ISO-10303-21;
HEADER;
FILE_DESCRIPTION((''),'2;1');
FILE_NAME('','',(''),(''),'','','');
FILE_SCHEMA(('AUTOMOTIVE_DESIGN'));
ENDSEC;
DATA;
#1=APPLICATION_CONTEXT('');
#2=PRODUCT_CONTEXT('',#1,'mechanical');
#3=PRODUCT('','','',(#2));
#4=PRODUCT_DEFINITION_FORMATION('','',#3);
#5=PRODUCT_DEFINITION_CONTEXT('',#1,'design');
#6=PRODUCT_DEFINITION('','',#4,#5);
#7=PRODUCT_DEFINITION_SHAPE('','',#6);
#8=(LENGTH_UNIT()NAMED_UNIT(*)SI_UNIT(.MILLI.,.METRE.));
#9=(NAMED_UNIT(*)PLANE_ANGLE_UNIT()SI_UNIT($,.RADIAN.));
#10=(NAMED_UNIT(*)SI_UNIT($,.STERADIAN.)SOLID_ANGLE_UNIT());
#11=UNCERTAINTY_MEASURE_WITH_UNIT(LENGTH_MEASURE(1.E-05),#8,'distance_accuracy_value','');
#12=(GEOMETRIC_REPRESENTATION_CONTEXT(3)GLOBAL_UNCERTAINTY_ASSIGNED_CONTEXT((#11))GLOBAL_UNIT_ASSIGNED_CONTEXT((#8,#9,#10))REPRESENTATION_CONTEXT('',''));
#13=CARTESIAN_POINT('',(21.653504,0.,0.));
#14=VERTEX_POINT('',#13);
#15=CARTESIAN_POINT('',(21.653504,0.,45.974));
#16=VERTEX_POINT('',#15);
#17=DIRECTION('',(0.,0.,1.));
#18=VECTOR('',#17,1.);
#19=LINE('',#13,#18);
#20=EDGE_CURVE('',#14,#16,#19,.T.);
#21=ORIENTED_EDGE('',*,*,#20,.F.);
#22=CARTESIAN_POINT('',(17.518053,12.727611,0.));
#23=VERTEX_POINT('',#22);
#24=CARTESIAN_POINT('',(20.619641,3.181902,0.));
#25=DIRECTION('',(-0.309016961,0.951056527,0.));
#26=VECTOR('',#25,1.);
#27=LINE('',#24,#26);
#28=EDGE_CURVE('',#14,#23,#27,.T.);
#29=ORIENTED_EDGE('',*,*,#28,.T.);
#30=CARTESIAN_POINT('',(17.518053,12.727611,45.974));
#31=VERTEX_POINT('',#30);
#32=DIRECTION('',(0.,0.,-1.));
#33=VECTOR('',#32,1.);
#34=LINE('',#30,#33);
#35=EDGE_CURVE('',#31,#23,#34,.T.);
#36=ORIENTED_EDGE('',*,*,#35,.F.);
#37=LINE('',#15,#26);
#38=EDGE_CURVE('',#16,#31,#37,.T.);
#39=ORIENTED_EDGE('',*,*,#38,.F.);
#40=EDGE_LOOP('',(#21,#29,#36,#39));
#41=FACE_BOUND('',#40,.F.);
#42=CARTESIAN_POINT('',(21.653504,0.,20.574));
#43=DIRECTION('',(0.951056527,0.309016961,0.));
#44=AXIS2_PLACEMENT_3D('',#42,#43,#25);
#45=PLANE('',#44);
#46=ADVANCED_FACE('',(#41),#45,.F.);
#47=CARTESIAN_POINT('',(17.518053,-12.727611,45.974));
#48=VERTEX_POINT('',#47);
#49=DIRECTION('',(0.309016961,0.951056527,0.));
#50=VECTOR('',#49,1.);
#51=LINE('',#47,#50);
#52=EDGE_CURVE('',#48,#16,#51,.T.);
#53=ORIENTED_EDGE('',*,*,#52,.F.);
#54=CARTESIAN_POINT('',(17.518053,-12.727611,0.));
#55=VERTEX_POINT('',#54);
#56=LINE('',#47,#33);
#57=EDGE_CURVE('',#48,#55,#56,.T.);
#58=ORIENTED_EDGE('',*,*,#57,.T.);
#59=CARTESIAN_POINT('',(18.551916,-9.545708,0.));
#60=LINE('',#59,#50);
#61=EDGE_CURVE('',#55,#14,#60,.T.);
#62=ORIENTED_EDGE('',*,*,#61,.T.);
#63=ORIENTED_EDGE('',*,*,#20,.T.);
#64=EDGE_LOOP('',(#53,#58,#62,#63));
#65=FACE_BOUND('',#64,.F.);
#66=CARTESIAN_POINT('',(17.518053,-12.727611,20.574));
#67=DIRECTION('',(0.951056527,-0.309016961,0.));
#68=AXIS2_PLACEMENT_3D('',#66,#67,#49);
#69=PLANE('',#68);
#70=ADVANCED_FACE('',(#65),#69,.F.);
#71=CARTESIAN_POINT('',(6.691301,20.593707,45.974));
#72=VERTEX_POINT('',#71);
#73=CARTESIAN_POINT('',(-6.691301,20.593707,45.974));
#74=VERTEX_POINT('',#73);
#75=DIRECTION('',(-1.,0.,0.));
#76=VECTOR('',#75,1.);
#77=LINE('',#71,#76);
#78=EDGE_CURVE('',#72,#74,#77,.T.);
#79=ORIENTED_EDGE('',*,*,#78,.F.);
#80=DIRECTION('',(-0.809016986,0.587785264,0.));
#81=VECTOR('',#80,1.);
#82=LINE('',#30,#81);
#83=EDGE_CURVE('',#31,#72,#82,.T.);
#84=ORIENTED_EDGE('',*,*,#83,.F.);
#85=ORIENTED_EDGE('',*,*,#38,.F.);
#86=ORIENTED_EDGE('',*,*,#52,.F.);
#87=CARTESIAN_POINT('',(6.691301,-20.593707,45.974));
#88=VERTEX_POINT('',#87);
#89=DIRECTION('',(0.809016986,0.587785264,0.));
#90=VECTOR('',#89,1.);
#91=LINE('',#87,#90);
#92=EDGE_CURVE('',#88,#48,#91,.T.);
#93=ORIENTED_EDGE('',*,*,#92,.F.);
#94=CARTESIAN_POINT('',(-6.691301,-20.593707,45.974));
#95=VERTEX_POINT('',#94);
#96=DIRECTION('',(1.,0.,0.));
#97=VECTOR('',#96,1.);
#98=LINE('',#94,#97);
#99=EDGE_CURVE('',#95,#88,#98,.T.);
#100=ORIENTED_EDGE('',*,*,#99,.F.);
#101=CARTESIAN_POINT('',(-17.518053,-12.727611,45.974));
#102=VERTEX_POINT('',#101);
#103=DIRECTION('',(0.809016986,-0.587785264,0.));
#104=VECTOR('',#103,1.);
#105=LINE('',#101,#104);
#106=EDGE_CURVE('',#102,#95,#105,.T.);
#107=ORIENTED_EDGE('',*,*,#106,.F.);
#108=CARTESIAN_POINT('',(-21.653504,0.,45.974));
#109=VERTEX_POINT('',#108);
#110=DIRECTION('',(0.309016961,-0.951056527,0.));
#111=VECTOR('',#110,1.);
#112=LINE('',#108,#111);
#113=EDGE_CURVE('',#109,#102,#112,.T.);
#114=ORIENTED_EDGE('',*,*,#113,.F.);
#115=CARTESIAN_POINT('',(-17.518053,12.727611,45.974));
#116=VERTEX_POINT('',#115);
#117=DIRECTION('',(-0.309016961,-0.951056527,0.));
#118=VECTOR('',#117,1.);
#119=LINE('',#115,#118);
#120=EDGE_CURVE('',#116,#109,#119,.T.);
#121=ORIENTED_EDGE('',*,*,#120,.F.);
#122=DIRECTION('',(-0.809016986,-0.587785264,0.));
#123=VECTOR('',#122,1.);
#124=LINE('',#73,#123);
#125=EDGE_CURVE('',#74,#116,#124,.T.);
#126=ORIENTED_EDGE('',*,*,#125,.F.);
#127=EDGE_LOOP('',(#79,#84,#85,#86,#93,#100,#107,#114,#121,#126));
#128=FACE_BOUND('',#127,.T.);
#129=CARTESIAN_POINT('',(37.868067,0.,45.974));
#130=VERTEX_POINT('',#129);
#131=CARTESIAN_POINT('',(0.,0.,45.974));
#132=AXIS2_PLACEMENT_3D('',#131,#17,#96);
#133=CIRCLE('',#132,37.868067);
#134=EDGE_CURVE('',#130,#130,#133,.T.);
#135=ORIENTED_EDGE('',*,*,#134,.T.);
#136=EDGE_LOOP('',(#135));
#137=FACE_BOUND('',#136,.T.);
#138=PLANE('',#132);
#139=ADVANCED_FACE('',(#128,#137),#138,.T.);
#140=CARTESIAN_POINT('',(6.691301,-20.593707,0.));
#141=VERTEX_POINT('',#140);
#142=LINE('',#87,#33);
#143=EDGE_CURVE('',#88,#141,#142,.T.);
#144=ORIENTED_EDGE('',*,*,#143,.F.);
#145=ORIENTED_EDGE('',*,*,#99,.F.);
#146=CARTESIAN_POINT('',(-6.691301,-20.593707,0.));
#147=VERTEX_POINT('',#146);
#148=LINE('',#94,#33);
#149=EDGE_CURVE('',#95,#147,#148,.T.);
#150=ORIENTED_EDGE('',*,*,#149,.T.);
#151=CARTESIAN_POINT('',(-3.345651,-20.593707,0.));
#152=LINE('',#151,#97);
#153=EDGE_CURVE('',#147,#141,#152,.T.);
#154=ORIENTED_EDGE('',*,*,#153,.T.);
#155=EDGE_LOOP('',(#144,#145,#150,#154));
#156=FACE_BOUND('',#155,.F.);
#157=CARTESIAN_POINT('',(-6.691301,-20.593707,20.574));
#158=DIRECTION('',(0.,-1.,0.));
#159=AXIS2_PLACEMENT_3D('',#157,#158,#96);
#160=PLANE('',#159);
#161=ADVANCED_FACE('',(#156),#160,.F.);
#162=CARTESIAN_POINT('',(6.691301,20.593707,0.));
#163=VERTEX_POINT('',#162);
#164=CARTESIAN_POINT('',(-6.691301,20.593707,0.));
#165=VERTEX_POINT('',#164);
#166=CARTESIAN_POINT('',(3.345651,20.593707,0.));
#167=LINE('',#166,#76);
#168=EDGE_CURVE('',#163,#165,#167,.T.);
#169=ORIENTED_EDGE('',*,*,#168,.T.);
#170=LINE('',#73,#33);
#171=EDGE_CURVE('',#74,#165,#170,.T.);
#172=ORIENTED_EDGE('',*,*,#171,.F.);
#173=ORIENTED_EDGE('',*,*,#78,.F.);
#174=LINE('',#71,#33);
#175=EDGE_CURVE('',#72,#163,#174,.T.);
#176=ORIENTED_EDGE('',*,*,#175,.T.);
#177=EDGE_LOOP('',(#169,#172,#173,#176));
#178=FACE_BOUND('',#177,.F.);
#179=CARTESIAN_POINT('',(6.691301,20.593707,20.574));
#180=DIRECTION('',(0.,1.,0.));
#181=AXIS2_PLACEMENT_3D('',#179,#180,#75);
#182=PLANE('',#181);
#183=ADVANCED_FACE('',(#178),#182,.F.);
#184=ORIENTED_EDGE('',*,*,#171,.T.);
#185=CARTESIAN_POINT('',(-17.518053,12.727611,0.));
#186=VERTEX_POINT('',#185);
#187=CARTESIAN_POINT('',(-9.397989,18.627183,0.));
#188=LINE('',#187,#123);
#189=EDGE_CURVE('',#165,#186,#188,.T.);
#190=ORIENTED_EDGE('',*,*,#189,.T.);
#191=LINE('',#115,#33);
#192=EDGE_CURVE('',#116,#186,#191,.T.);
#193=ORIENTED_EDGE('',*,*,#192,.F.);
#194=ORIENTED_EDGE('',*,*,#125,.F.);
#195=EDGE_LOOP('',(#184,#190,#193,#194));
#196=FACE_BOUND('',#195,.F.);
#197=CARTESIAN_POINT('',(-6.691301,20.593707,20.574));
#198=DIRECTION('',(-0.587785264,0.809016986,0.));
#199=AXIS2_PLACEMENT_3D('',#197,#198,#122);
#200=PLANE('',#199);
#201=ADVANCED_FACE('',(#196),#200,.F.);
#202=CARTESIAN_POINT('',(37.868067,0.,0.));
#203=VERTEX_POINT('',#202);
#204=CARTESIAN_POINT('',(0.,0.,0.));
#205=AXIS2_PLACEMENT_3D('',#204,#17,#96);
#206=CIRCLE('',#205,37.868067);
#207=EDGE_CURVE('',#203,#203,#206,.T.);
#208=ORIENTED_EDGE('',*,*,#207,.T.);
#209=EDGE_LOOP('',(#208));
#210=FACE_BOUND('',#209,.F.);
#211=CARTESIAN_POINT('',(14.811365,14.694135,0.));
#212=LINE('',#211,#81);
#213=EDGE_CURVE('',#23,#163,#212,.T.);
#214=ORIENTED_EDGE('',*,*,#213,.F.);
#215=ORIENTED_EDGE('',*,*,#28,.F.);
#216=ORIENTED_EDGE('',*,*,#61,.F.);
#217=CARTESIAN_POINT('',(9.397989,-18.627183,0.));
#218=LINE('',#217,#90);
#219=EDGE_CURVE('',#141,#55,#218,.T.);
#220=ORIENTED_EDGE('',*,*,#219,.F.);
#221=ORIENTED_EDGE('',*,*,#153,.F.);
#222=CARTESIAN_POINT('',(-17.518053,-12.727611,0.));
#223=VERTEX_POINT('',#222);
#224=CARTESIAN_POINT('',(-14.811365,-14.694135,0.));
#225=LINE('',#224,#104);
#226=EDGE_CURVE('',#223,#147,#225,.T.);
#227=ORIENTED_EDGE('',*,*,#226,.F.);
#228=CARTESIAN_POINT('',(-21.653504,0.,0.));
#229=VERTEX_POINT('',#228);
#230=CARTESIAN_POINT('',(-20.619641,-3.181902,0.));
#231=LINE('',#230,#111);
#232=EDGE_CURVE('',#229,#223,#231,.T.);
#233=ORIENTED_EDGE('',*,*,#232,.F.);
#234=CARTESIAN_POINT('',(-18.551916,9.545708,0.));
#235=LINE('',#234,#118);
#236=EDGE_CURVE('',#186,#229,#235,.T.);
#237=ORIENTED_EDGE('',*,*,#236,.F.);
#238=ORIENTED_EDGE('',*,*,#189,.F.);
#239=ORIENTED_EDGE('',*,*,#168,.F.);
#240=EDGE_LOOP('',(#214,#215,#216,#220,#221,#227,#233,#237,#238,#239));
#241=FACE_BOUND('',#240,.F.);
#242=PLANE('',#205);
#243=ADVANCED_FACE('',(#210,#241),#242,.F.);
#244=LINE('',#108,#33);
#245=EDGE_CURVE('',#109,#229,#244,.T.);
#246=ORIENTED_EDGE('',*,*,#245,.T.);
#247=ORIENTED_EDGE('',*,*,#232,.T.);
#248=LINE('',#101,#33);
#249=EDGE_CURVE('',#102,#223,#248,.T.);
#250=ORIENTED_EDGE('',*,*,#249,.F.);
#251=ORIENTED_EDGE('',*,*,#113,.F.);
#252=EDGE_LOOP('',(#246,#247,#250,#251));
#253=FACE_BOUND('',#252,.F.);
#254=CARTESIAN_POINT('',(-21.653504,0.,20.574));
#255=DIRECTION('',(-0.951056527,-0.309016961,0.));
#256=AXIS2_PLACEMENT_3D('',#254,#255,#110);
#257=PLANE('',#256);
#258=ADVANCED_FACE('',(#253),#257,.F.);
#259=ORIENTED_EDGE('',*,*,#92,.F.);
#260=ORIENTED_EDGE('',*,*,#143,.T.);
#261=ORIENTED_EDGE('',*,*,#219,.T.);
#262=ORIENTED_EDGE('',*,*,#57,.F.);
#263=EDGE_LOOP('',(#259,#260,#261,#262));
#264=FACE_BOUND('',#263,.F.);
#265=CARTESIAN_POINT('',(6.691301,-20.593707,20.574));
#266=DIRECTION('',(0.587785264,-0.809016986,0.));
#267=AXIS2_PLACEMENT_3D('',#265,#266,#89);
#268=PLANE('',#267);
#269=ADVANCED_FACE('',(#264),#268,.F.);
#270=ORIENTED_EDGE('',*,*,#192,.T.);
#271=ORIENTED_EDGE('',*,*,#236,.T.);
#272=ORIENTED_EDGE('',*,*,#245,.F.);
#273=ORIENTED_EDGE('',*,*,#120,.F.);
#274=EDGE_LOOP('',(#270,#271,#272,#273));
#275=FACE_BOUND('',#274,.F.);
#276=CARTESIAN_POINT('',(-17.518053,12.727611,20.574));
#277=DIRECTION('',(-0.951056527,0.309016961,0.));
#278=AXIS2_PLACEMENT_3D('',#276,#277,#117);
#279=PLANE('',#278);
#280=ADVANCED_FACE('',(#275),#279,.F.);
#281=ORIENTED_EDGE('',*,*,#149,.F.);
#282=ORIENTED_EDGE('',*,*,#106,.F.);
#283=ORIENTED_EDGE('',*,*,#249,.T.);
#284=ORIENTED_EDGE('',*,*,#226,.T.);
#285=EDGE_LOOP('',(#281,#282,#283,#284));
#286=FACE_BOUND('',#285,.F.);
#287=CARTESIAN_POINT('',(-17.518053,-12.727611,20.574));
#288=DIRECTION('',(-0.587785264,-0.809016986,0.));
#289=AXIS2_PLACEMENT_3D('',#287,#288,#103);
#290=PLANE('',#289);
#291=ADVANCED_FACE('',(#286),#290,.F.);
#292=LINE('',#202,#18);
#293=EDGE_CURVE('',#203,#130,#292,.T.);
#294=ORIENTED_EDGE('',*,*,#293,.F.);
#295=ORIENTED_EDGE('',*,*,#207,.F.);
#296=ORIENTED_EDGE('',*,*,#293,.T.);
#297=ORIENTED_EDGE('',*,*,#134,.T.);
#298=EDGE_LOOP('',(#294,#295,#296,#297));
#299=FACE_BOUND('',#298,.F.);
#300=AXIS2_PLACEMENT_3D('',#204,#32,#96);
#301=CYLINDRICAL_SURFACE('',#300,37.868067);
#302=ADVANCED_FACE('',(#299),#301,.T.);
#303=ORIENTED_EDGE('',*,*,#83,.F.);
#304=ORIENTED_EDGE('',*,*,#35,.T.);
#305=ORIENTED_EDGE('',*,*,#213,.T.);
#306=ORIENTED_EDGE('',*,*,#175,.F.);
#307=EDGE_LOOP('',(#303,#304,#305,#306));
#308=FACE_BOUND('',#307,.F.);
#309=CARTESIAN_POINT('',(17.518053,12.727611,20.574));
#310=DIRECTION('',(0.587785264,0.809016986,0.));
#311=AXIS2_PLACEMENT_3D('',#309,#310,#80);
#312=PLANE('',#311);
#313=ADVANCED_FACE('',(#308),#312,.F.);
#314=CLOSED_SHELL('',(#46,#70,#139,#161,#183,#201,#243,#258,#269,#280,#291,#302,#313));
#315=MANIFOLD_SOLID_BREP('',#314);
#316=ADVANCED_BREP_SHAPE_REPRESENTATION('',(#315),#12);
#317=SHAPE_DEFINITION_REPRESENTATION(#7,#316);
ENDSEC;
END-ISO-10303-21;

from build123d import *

# Parameters (mm, degrees)
F0_R     = 37.868067
F1_DEPTH = 45.974
F3_DEPTH = 25.4
F4_DEPTH = 20.575


with BuildPart() as f1:
    # F0 (on Top) → F1 (new body)
    with BuildSketch(Plane.XY):
        Circle(F0_R)
    extrude(amount=F1_DEPTH)

    # F2 (on face) → F3 (cut)
    with BuildSketch(Plane.XY.offset(45.974)):
        Polygon((6.691301, 20.593707), (-6.691301, 20.593707), (-17.518053, 12.727611), (-21.653504, 0), (-17.518053, -12.727611), (-6.691301, -20.593707), (6.691301, -20.593707), (17.518053, -12.727611), (21.653504, 0), (17.518053, 12.727611), align=None)
    extrude(amount=-F3_DEPTH, mode=Mode.SUBTRACT)

    # F3_face (on face) → F4 (cut, through all)
    with BuildSketch(Plane.XY.offset(20.574)):
        Polygon((21.653504, 0), (17.518053, 12.727611), (6.691301, 20.593707), (-6.691301, 20.593707), (-17.518053, 12.727611), (-21.653504, 0), (-17.518053, -12.727611), (-6.691301, -20.593707), (6.691301, -20.593707), (17.518053, -12.727611), align=None)
    extrude(amount=-F4_DEPTH, mode=Mode.SUBTRACT)


solid = f1.part
